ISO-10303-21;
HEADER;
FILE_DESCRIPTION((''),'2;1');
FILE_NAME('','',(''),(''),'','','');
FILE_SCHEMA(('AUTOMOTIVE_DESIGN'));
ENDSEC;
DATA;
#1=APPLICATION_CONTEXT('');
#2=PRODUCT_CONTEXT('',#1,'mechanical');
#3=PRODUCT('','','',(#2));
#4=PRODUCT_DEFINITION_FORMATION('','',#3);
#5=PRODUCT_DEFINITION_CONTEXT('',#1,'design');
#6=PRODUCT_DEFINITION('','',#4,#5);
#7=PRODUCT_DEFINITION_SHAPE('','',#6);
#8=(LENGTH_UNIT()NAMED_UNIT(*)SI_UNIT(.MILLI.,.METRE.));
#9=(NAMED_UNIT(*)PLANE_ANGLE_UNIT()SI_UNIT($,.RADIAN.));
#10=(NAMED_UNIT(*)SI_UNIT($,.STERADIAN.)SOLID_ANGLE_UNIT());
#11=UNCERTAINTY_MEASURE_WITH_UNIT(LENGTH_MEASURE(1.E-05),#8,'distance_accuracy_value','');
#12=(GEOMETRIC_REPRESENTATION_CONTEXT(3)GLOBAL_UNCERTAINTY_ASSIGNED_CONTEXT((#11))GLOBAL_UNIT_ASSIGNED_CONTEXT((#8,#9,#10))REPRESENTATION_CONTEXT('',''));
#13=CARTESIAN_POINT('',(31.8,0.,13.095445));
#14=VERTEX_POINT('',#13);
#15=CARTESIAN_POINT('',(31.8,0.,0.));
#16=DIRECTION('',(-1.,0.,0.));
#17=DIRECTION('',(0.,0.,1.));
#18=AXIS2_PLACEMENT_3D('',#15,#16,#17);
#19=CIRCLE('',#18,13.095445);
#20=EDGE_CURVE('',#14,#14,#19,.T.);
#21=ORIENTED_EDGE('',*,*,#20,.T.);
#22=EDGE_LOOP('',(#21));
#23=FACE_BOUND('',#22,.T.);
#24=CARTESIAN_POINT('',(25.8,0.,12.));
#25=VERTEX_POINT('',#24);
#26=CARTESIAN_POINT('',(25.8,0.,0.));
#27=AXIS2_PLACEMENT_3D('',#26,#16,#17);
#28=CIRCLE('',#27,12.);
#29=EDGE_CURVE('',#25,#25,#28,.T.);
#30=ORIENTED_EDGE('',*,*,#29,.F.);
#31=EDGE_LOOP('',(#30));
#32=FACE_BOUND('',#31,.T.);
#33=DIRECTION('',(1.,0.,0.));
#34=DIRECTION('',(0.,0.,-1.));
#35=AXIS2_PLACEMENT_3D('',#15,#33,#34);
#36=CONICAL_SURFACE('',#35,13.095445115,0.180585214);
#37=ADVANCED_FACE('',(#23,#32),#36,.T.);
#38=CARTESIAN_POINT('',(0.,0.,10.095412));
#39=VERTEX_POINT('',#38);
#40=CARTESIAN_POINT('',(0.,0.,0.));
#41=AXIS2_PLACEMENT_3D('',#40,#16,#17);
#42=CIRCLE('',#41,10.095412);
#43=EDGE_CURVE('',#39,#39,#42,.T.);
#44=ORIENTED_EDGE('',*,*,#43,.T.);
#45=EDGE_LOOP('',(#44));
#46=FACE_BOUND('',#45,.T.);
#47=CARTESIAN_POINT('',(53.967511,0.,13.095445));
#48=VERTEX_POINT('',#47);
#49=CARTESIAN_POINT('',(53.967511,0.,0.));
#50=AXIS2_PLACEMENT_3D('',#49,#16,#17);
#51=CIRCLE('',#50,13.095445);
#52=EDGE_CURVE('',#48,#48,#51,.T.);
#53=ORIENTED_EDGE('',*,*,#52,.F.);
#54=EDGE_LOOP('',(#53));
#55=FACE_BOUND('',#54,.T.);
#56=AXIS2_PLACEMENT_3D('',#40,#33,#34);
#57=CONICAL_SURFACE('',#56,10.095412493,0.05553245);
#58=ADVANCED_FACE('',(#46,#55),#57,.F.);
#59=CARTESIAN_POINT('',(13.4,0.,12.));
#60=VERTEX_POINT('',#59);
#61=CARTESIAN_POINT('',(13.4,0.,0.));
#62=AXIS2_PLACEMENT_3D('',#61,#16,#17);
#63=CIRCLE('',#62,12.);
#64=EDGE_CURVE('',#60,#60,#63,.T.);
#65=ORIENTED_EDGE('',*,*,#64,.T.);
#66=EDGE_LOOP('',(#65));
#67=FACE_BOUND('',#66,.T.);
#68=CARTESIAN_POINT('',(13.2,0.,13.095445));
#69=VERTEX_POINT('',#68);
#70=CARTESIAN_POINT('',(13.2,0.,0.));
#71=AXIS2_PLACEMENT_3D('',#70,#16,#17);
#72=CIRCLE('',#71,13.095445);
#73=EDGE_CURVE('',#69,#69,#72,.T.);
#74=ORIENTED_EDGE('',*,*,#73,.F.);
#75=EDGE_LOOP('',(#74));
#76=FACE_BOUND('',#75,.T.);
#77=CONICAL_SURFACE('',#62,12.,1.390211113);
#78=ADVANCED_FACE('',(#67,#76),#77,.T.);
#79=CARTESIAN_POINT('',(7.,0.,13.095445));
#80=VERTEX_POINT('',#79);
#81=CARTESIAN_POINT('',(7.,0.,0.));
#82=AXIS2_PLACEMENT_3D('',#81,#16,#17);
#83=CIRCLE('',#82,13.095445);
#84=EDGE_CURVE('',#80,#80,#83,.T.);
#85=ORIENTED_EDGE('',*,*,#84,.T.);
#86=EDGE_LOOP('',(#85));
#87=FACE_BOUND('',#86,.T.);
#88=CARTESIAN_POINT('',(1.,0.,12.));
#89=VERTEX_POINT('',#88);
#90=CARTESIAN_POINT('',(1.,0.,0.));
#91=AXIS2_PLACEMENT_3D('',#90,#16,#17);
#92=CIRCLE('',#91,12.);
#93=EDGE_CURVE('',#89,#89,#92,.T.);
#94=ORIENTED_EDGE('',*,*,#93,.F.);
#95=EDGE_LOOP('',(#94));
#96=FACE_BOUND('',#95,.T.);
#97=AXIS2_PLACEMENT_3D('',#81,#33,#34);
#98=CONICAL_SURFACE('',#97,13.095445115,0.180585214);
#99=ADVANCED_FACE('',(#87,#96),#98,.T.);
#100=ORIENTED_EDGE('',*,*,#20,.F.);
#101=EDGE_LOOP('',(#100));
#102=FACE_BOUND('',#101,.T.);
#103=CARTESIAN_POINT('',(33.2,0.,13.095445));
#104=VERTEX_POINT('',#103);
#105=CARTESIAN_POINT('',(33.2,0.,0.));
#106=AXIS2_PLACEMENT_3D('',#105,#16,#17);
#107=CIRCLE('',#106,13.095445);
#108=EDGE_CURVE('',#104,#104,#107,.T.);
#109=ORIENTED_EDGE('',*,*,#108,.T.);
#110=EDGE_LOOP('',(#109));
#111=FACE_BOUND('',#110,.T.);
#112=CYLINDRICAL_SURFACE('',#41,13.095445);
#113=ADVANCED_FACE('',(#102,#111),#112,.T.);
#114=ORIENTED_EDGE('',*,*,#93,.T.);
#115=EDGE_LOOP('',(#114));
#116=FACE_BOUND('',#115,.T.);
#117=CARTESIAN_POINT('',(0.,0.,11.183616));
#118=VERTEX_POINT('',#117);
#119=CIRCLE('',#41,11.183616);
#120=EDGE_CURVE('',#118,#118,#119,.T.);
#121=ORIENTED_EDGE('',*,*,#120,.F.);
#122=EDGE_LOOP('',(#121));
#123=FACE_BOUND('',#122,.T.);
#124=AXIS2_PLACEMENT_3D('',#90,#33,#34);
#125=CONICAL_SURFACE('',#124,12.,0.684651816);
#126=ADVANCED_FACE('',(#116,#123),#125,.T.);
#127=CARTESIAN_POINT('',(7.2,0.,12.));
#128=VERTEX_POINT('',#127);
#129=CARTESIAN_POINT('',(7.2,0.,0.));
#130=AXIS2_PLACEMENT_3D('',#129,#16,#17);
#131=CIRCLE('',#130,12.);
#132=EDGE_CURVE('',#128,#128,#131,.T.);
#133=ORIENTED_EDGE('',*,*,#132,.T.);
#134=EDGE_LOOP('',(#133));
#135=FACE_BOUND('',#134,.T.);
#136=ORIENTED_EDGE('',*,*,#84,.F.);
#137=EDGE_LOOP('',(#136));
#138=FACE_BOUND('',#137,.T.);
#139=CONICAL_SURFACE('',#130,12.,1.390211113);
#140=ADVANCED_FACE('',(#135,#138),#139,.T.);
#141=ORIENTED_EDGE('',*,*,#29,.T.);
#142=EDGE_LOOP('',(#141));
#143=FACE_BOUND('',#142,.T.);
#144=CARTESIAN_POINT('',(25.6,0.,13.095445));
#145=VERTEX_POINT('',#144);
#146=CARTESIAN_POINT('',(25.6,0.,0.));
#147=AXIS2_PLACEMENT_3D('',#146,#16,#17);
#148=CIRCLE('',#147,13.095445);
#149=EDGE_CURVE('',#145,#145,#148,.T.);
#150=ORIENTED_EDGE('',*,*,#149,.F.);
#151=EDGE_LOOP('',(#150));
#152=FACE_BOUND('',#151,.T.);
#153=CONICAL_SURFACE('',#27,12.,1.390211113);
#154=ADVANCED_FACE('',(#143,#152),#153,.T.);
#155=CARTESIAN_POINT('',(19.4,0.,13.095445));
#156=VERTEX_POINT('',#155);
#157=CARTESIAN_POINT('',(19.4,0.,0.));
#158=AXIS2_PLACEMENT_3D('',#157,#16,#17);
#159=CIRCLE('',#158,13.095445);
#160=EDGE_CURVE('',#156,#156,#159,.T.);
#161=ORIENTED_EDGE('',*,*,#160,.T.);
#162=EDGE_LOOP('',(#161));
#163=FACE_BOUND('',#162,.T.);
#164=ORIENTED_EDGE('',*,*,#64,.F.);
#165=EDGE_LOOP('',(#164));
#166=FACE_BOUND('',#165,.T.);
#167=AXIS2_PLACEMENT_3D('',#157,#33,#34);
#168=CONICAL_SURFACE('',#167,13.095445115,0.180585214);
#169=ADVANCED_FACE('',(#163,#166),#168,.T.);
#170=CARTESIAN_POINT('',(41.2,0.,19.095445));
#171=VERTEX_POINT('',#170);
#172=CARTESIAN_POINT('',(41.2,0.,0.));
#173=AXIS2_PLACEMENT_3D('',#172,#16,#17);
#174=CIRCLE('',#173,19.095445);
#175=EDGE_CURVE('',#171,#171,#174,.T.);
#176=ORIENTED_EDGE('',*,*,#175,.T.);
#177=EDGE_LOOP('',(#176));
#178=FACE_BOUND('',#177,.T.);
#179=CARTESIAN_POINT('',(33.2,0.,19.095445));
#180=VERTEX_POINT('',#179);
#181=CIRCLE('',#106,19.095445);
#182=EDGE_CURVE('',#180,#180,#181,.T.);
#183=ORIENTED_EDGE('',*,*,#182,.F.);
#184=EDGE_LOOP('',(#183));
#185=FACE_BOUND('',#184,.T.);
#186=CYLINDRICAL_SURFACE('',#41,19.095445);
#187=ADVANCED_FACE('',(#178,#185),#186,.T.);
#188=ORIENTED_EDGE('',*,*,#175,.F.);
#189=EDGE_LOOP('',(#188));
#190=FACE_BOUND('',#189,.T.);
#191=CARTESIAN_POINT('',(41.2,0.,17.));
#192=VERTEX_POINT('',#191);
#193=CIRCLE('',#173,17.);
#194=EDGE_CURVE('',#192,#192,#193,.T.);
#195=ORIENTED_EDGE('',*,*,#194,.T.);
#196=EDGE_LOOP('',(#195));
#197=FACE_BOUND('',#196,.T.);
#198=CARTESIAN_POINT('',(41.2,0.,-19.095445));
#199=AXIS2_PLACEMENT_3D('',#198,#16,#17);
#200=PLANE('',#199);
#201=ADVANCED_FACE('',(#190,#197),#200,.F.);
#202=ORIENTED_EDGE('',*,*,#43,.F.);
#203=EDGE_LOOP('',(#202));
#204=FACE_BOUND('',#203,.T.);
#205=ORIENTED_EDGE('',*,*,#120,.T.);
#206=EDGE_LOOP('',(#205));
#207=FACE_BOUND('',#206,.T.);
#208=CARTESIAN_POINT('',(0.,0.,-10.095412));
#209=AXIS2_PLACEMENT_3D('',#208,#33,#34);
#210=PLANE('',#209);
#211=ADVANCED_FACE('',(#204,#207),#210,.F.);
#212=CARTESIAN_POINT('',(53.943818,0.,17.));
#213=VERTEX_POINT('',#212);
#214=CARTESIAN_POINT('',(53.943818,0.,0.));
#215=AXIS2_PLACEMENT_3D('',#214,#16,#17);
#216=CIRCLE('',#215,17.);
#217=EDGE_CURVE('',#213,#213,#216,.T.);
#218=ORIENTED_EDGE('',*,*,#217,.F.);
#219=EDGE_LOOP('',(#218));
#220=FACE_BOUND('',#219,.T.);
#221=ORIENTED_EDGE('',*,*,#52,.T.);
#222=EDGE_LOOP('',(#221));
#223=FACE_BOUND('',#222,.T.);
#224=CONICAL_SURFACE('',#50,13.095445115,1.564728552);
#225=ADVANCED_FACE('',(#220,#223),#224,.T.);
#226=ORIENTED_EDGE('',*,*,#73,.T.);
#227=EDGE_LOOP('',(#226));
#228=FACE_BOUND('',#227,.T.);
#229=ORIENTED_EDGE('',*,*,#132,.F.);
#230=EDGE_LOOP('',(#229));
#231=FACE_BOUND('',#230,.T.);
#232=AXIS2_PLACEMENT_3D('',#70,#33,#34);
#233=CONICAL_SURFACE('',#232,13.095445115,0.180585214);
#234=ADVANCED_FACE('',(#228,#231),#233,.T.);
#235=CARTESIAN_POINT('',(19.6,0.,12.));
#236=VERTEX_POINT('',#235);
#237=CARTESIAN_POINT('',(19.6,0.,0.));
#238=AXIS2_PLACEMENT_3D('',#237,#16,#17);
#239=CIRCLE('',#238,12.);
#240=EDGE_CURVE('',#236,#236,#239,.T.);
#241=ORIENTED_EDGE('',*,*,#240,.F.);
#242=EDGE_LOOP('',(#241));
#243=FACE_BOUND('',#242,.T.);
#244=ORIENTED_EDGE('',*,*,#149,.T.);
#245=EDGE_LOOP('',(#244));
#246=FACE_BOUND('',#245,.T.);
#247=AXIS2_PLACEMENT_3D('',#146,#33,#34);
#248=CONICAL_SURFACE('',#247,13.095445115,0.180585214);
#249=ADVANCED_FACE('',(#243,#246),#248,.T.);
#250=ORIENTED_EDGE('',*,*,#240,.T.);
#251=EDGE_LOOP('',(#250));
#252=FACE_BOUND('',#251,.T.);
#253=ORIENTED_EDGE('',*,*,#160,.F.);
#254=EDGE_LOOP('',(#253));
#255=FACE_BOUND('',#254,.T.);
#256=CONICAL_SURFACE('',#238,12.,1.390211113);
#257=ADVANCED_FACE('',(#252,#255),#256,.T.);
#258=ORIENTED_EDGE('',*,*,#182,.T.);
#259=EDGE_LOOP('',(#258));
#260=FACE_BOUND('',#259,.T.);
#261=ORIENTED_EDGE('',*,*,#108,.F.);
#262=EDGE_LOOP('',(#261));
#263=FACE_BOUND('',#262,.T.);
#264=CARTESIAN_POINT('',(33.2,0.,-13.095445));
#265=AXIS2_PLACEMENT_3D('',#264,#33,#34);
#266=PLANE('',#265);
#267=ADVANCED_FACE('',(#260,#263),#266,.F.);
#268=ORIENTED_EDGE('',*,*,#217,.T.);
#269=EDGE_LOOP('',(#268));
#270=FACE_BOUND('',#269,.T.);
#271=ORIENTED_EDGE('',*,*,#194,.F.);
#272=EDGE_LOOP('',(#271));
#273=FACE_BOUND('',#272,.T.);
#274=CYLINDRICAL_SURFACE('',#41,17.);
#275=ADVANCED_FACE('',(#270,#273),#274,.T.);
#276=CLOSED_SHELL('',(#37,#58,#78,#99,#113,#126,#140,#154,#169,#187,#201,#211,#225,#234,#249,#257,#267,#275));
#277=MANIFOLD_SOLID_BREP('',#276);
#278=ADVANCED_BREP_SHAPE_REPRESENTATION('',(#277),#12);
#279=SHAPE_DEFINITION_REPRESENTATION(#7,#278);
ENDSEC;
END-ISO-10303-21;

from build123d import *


with BuildPart() as part:
    # Sketch1 → Revolve2 (revolve)
    with BuildSketch(Plane(origin=(0, 0, 0), x_dir=(1, 0, 0), z_dir=(0, 1, 0)), mode=Mode.PRIVATE) as revolve2_sk:
        Polygon((0, 10.095412493), (0, 11.183615724), (1, 12), (7, 13.095445115), (7.2, 12), (13.2, 13.095445115), (13.4, 12), (19.4, 13.095445115), (19.6, 12), (25.6, 13.095445115), (25.8, 12), (31.8, 13.095445115), (33.2, 13.095445115), (33.2, 19.095445115), (41.2, 19.095445115), (41.2, 17), (53.943818363, 17), (53.967510613, 13.095445115), align=None)
    revolve(revolve2_sk.sketch.rotate(Axis((0, 0, 0), (1, 0, 0)), 180), axis=Axis((0, 0, 0), (1, 0, 0)))


solid = part.part
